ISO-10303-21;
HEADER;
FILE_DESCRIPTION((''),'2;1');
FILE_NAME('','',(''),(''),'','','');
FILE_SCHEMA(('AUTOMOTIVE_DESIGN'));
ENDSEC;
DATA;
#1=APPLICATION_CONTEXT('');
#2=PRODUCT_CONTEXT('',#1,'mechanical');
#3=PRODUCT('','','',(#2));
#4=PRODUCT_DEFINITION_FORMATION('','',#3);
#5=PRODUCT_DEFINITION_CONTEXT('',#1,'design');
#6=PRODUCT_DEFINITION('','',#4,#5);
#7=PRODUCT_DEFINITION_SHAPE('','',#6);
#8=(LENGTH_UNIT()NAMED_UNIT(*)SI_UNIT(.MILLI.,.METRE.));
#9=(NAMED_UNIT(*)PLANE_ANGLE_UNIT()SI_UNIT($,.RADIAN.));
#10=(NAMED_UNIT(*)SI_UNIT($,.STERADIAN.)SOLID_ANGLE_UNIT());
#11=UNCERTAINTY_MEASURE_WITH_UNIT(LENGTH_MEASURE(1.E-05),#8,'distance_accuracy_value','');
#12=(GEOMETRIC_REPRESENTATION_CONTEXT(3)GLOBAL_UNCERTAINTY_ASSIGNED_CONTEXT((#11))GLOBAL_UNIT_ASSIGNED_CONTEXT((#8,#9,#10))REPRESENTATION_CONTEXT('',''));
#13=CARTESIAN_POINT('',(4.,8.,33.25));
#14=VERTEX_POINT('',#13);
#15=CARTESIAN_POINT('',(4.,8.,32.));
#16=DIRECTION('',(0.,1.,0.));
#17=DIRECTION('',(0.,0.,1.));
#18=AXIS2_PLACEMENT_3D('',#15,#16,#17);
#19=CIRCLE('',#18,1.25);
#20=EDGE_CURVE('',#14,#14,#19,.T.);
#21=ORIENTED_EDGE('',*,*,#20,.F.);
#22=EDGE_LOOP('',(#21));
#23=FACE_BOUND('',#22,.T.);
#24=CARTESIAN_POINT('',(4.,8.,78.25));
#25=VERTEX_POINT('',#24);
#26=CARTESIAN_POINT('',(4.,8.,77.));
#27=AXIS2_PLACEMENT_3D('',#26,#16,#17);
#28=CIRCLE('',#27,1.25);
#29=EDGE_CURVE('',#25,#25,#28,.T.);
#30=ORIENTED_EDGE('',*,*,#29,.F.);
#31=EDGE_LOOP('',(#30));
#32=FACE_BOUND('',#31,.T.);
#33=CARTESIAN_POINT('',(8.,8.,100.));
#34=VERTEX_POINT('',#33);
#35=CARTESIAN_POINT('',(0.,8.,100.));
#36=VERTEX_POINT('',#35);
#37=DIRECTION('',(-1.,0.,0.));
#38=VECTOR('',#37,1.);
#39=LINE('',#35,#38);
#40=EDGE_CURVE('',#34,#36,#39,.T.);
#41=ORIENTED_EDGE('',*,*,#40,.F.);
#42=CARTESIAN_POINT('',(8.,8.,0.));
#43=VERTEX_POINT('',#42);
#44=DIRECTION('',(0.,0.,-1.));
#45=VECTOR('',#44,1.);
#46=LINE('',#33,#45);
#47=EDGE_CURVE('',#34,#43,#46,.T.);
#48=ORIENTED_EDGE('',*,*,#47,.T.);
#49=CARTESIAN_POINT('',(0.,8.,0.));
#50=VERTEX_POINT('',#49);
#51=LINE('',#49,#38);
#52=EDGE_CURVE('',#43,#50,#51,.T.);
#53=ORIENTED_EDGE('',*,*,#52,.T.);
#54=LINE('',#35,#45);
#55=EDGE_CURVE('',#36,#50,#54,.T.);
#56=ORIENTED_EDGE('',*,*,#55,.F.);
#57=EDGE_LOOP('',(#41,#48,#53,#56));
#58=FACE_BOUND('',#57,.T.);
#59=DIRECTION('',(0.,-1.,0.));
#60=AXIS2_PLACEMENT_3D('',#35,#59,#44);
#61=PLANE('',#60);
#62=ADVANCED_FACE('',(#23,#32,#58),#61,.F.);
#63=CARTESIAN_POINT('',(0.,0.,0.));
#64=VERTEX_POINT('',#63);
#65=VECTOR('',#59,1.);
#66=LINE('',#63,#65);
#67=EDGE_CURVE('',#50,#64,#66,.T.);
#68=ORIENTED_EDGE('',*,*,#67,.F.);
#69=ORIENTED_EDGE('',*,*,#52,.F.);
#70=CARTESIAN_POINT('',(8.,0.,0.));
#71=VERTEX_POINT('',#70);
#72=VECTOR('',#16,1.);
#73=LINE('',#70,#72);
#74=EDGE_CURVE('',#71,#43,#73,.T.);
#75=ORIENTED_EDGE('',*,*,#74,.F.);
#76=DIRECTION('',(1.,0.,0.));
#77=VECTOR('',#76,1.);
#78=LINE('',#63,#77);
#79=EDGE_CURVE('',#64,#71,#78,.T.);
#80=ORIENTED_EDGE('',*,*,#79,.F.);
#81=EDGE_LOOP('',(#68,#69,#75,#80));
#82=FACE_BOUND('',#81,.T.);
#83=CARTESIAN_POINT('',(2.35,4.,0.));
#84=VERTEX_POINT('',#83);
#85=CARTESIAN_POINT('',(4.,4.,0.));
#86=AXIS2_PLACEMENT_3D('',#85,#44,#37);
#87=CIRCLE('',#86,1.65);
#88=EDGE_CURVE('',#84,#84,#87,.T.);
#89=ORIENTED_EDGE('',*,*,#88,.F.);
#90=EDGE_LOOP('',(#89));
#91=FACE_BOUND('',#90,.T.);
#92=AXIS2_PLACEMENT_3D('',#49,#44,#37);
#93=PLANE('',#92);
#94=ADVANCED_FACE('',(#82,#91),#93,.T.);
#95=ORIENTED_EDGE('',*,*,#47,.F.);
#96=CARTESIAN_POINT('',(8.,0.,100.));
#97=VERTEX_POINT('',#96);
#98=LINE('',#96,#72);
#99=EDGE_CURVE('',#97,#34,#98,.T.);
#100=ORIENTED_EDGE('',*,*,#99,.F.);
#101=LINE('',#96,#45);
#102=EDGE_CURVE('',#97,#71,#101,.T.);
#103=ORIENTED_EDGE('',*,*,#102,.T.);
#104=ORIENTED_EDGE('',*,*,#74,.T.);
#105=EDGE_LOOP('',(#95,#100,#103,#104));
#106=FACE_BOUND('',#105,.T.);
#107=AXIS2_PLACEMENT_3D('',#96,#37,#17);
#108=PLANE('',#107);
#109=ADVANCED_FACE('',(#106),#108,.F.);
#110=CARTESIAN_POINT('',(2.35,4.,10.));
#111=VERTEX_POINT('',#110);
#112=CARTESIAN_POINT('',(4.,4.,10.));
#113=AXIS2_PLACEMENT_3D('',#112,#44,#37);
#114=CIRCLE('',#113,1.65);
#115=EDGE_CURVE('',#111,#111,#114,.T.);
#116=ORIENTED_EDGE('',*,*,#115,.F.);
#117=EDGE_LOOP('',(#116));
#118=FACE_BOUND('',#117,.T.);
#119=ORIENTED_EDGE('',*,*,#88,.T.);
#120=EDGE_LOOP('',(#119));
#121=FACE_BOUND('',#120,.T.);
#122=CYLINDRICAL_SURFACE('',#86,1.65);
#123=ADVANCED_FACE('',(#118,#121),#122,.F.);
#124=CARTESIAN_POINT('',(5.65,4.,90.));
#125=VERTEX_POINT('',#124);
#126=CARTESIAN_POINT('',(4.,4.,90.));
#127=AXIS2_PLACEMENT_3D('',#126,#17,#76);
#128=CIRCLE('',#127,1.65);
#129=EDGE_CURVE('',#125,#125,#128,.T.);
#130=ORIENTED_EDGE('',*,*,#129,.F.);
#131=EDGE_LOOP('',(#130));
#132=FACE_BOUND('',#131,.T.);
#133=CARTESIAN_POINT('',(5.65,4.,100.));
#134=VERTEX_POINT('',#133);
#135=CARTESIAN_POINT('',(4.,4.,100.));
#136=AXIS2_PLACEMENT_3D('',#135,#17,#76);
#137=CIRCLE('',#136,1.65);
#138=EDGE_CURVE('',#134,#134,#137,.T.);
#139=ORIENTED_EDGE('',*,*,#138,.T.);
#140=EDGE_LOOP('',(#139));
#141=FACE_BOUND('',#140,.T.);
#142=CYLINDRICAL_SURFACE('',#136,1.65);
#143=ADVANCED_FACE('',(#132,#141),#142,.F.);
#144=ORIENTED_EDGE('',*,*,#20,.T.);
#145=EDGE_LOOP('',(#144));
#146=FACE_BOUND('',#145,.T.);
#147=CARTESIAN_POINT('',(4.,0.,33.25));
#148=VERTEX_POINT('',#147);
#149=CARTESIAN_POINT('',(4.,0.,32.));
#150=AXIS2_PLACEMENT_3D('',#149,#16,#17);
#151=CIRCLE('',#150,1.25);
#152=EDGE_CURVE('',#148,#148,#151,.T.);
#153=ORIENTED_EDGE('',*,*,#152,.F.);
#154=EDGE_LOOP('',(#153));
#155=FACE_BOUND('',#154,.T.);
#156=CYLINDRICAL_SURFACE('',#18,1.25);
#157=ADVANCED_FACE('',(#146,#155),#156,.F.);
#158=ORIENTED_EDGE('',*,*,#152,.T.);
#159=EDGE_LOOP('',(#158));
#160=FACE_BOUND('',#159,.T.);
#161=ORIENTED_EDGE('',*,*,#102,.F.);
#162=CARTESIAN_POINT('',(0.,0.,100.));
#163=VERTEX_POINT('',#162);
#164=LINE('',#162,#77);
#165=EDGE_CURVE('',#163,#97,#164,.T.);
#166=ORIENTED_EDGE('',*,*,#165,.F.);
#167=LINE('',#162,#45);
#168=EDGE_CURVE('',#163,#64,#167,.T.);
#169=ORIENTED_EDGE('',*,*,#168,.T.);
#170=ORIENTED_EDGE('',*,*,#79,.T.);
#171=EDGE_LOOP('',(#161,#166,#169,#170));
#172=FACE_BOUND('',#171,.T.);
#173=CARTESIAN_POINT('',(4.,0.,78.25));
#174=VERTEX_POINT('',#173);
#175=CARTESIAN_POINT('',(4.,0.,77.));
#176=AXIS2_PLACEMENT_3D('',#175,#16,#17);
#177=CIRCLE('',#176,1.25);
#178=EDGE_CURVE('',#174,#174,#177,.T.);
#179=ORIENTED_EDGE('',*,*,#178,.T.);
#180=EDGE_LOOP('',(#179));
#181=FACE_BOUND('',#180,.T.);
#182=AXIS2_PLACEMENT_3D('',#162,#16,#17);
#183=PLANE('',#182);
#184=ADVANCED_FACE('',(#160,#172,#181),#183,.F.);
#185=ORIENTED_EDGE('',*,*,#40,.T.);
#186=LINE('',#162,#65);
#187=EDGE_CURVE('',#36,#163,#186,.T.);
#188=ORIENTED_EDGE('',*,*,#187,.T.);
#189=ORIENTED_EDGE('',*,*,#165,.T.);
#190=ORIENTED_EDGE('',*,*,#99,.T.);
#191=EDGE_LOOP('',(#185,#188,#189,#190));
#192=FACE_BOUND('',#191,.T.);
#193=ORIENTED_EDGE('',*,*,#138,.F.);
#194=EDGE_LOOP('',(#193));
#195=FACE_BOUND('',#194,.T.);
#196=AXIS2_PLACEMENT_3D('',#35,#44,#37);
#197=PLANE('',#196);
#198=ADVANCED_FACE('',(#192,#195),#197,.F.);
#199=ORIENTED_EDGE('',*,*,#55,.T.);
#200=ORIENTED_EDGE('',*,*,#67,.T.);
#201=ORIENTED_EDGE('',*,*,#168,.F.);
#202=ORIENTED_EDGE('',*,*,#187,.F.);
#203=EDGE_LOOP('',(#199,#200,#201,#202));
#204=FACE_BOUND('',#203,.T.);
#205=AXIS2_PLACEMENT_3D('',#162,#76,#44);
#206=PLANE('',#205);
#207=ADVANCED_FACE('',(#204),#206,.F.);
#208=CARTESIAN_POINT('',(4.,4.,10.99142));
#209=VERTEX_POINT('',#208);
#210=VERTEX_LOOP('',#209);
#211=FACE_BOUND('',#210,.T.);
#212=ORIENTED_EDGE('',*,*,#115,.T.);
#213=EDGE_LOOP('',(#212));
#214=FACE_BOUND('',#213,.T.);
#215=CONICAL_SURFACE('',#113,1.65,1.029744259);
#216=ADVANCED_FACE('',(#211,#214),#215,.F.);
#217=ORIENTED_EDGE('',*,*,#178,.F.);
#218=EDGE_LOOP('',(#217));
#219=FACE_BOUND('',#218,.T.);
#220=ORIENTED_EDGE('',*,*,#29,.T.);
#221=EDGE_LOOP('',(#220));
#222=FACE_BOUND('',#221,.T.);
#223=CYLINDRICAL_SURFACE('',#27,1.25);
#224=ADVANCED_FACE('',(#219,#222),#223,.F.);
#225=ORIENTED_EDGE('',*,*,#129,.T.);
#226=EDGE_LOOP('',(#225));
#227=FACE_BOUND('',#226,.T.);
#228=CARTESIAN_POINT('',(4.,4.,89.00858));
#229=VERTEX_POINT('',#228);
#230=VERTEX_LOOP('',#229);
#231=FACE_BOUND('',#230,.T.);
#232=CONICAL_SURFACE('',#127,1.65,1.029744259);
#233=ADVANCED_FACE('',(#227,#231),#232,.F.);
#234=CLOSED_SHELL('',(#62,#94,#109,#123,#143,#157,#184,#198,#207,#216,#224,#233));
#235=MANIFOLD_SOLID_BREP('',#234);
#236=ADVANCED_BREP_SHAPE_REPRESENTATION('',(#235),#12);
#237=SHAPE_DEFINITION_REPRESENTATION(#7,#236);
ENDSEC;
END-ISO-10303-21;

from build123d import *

# Parameters (mm, degrees)
SKETCH1_W                       = 8
SKETCH1_H                       = 8
EXTRUDE1_DEPTH                  = 100
M3_TAPPED_HOLE1_D               = 2.5
M4_TAPPED_HOLE1_D               = 3.3
M4_TAPPED_HOLE1_DEPTH           = 10
M4_TAPPED_HOLE1_TIP             = 0.991420021
M4_TAPPED_HOLE1_ON_FACE_2_D     = 3.3
M4_TAPPED_HOLE1_ON_FACE_2_DEPTH = 10
M4_TAPPED_HOLE1_ON_FACE_2_TIP   = 0.991420021


with BuildPart() as part:
    # Sketch1 → Extrude1 (new body)
    with BuildSketch(Plane.XY):
        with Locations((4, 4)):
            Rectangle(SKETCH1_W, SKETCH1_H)
    extrude(amount=EXTRUDE1_DEPTH)

    # M3 Tapped Hole1 (through all)
    with Locations(Plane(origin=(4, 8, 77), x_dir=(0, 0, 1), z_dir=(0, 1, 0))):
        with Locations((0, 0), (-45, 0)):
            Hole(M3_TAPPED_HOLE1_D / 2)

    # M4 Tapped Hole1
    with Locations(Plane(origin=(4, 4, 0), x_dir=(-1, 0, 0), z_dir=(0, 0, -1))):
        with Locations((0, 0)):
            Hole(M4_TAPPED_HOLE1_D / 2, depth=M4_TAPPED_HOLE1_DEPTH)
            with Locations((0, 0, -(M4_TAPPED_HOLE1_DEPTH + M4_TAPPED_HOLE1_TIP / 2))):  # 118° drill point
                Cone(0, M4_TAPPED_HOLE1_D / 2, M4_TAPPED_HOLE1_TIP, mode=Mode.SUBTRACT)

    # M4 Tapped Hole1 on face 2
    with Locations(Plane(origin=(4, 4, 100), x_dir=(1, 0, 0), z_dir=(0, 0, 1))):
        with Locations((0, 0)):
            Hole(M4_TAPPED_HOLE1_ON_FACE_2_D / 2, depth=M4_TAPPED_HOLE1_ON_FACE_2_DEPTH)
            with Locations((0, 0, -(M4_TAPPED_HOLE1_ON_FACE_2_DEPTH + M4_TAPPED_HOLE1_ON_FACE_2_TIP / 2))):  # 118° drill point
                Cone(0, M4_TAPPED_HOLE1_ON_FACE_2_D / 2, M4_TAPPED_HOLE1_ON_FACE_2_TIP, mode=Mode.SUBTRACT)


solid = part.part
